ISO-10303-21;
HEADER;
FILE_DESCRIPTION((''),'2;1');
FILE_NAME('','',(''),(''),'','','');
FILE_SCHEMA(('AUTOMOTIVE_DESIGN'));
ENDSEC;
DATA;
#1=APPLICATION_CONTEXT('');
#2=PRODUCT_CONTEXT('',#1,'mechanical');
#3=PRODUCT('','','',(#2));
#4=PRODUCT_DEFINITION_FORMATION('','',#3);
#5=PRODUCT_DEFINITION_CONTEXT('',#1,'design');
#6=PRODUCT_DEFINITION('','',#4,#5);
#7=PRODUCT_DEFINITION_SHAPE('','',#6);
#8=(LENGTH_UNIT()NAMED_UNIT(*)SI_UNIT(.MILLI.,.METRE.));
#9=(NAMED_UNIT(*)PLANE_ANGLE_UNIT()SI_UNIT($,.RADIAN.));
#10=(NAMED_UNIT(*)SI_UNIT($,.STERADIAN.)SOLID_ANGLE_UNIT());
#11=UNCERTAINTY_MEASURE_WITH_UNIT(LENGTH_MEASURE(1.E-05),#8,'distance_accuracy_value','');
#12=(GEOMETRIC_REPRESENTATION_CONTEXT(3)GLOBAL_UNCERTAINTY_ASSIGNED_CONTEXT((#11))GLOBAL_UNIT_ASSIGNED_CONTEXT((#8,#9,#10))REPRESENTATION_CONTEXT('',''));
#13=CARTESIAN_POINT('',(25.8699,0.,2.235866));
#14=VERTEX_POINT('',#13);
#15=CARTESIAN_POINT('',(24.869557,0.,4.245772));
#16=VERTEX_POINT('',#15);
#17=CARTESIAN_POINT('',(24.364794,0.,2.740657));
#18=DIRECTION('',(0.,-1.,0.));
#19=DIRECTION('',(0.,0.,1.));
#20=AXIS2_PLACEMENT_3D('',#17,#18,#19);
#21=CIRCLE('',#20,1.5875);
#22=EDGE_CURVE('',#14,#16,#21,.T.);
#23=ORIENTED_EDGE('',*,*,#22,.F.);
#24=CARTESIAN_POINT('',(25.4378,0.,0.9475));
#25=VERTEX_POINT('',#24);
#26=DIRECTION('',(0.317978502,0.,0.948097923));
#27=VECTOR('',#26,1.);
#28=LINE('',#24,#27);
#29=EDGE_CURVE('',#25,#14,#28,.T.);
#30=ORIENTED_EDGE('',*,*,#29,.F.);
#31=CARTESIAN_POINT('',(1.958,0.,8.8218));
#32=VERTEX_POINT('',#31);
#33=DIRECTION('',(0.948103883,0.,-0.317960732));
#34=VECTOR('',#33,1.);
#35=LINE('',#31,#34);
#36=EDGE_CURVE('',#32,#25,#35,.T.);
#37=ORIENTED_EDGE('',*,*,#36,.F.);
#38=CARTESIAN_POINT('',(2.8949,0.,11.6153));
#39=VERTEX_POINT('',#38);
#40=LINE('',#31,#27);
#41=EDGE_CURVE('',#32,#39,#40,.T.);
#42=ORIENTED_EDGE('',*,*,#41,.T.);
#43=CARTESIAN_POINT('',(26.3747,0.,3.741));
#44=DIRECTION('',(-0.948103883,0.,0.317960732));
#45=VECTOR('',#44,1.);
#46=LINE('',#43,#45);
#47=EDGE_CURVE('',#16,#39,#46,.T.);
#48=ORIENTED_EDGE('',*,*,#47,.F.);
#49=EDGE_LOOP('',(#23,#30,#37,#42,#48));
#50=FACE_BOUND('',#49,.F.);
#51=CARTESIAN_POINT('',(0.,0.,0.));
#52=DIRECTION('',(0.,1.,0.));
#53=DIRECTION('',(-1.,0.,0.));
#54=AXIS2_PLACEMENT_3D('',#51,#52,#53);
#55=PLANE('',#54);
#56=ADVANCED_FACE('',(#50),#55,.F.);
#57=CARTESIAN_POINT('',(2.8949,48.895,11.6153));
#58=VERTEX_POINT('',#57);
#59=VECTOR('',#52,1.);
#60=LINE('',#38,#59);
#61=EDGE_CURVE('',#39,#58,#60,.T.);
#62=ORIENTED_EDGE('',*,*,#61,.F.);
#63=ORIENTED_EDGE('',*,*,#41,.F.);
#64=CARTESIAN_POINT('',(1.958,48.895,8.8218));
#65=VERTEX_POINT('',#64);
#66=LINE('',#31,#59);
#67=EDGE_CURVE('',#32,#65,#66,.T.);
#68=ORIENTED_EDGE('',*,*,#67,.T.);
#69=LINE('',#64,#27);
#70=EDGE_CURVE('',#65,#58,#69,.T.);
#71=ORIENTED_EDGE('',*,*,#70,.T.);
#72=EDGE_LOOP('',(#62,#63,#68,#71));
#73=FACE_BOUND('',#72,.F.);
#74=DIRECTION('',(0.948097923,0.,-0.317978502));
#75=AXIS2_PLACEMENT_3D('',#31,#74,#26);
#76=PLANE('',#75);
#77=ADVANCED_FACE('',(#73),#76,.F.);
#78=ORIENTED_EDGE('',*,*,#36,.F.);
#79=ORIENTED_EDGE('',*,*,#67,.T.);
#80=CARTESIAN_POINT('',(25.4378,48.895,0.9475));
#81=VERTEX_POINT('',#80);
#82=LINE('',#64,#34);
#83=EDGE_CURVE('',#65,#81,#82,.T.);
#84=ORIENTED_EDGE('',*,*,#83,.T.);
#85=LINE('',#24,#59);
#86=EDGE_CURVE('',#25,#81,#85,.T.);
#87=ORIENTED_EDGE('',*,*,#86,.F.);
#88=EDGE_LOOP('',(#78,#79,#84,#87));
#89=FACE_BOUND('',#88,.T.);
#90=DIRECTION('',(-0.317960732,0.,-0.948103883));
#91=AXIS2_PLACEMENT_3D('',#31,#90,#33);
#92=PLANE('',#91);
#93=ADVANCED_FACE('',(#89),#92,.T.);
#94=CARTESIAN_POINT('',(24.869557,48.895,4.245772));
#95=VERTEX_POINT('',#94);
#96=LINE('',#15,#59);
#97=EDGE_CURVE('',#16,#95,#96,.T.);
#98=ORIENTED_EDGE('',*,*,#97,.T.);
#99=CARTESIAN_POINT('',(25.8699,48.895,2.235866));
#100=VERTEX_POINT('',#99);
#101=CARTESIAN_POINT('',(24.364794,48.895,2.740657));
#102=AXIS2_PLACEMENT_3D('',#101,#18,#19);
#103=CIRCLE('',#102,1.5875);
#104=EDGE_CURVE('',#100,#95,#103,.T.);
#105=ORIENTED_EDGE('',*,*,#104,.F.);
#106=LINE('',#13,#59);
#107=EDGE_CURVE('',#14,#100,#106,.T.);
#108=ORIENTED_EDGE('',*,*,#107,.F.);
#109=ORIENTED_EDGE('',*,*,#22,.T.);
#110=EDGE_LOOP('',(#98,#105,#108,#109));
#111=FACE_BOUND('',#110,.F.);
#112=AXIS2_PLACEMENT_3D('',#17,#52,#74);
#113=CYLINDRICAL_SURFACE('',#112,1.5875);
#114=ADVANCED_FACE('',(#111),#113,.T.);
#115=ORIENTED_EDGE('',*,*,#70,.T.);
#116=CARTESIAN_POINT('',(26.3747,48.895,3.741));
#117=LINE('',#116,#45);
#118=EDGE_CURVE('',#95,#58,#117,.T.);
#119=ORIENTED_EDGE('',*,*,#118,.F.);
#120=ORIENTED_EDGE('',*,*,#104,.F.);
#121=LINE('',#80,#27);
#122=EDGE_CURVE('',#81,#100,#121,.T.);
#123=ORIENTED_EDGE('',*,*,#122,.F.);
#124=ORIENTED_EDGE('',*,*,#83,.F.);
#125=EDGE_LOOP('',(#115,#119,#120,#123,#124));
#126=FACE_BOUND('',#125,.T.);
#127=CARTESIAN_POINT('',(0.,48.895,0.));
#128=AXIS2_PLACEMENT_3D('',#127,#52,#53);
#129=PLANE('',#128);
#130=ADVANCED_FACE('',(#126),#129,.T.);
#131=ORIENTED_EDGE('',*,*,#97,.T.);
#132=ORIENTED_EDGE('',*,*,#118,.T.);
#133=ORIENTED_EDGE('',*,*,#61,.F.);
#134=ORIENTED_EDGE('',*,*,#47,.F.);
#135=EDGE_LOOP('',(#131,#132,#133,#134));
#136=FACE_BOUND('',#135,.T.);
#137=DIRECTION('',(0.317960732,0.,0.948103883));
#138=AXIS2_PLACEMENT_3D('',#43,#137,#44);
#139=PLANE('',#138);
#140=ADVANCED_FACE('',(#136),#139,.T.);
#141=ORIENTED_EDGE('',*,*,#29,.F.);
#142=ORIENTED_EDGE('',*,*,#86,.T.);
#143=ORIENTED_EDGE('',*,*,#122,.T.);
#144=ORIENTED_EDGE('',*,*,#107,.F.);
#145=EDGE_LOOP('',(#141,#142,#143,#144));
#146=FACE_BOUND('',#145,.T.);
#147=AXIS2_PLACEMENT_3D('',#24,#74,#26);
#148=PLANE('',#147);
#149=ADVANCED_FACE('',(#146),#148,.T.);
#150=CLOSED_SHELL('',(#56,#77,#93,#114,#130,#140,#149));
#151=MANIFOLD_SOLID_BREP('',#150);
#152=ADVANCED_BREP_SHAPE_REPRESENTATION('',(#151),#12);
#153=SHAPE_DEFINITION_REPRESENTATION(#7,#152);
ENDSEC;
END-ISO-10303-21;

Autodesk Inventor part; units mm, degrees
ref_plane "YZ Plane" through (0, 0, 0) normal (1, 0, 0) x (0, 1, 0)
ref_plane "XZ Plane" through (0, 0, 0) normal (0, 1, 0) x (-1, 0, 0)
ref_plane "XY Plane" through (0, 0, 0) normal (0, 0, 1) x (1, 0, 0)
sketch "Sketch1" plane through (0, 0, 0) normal (0, 1, 0) x (-1, 0, 0)
  line L0 (-1.958, 8.8218) -> (-25.4378, 0.9475)
  line L1 (-26.3747, 3.741) -> (-2.8949, 11.6153)
  line L2 (-1.958, 8.8218) -> (-2.8949, 11.6153)
  line L3 (-25.4378, 0.9475) -> (-26.3747, 3.741)
  point P0 (0, 0)
  point P1 (-9.2456, 5.0352)
  dimension "d0" = 24.765
  dimension "d5" = 2.9464
extrude "Extrusion1" add sketch "Sketch1" along normal blind 48.895
fillet "Fillet1" radius 1.5875 1 edges at (26.3747, 24.4475, 3.741)
properties part number "Lidar Sensor Case Piece 4"
